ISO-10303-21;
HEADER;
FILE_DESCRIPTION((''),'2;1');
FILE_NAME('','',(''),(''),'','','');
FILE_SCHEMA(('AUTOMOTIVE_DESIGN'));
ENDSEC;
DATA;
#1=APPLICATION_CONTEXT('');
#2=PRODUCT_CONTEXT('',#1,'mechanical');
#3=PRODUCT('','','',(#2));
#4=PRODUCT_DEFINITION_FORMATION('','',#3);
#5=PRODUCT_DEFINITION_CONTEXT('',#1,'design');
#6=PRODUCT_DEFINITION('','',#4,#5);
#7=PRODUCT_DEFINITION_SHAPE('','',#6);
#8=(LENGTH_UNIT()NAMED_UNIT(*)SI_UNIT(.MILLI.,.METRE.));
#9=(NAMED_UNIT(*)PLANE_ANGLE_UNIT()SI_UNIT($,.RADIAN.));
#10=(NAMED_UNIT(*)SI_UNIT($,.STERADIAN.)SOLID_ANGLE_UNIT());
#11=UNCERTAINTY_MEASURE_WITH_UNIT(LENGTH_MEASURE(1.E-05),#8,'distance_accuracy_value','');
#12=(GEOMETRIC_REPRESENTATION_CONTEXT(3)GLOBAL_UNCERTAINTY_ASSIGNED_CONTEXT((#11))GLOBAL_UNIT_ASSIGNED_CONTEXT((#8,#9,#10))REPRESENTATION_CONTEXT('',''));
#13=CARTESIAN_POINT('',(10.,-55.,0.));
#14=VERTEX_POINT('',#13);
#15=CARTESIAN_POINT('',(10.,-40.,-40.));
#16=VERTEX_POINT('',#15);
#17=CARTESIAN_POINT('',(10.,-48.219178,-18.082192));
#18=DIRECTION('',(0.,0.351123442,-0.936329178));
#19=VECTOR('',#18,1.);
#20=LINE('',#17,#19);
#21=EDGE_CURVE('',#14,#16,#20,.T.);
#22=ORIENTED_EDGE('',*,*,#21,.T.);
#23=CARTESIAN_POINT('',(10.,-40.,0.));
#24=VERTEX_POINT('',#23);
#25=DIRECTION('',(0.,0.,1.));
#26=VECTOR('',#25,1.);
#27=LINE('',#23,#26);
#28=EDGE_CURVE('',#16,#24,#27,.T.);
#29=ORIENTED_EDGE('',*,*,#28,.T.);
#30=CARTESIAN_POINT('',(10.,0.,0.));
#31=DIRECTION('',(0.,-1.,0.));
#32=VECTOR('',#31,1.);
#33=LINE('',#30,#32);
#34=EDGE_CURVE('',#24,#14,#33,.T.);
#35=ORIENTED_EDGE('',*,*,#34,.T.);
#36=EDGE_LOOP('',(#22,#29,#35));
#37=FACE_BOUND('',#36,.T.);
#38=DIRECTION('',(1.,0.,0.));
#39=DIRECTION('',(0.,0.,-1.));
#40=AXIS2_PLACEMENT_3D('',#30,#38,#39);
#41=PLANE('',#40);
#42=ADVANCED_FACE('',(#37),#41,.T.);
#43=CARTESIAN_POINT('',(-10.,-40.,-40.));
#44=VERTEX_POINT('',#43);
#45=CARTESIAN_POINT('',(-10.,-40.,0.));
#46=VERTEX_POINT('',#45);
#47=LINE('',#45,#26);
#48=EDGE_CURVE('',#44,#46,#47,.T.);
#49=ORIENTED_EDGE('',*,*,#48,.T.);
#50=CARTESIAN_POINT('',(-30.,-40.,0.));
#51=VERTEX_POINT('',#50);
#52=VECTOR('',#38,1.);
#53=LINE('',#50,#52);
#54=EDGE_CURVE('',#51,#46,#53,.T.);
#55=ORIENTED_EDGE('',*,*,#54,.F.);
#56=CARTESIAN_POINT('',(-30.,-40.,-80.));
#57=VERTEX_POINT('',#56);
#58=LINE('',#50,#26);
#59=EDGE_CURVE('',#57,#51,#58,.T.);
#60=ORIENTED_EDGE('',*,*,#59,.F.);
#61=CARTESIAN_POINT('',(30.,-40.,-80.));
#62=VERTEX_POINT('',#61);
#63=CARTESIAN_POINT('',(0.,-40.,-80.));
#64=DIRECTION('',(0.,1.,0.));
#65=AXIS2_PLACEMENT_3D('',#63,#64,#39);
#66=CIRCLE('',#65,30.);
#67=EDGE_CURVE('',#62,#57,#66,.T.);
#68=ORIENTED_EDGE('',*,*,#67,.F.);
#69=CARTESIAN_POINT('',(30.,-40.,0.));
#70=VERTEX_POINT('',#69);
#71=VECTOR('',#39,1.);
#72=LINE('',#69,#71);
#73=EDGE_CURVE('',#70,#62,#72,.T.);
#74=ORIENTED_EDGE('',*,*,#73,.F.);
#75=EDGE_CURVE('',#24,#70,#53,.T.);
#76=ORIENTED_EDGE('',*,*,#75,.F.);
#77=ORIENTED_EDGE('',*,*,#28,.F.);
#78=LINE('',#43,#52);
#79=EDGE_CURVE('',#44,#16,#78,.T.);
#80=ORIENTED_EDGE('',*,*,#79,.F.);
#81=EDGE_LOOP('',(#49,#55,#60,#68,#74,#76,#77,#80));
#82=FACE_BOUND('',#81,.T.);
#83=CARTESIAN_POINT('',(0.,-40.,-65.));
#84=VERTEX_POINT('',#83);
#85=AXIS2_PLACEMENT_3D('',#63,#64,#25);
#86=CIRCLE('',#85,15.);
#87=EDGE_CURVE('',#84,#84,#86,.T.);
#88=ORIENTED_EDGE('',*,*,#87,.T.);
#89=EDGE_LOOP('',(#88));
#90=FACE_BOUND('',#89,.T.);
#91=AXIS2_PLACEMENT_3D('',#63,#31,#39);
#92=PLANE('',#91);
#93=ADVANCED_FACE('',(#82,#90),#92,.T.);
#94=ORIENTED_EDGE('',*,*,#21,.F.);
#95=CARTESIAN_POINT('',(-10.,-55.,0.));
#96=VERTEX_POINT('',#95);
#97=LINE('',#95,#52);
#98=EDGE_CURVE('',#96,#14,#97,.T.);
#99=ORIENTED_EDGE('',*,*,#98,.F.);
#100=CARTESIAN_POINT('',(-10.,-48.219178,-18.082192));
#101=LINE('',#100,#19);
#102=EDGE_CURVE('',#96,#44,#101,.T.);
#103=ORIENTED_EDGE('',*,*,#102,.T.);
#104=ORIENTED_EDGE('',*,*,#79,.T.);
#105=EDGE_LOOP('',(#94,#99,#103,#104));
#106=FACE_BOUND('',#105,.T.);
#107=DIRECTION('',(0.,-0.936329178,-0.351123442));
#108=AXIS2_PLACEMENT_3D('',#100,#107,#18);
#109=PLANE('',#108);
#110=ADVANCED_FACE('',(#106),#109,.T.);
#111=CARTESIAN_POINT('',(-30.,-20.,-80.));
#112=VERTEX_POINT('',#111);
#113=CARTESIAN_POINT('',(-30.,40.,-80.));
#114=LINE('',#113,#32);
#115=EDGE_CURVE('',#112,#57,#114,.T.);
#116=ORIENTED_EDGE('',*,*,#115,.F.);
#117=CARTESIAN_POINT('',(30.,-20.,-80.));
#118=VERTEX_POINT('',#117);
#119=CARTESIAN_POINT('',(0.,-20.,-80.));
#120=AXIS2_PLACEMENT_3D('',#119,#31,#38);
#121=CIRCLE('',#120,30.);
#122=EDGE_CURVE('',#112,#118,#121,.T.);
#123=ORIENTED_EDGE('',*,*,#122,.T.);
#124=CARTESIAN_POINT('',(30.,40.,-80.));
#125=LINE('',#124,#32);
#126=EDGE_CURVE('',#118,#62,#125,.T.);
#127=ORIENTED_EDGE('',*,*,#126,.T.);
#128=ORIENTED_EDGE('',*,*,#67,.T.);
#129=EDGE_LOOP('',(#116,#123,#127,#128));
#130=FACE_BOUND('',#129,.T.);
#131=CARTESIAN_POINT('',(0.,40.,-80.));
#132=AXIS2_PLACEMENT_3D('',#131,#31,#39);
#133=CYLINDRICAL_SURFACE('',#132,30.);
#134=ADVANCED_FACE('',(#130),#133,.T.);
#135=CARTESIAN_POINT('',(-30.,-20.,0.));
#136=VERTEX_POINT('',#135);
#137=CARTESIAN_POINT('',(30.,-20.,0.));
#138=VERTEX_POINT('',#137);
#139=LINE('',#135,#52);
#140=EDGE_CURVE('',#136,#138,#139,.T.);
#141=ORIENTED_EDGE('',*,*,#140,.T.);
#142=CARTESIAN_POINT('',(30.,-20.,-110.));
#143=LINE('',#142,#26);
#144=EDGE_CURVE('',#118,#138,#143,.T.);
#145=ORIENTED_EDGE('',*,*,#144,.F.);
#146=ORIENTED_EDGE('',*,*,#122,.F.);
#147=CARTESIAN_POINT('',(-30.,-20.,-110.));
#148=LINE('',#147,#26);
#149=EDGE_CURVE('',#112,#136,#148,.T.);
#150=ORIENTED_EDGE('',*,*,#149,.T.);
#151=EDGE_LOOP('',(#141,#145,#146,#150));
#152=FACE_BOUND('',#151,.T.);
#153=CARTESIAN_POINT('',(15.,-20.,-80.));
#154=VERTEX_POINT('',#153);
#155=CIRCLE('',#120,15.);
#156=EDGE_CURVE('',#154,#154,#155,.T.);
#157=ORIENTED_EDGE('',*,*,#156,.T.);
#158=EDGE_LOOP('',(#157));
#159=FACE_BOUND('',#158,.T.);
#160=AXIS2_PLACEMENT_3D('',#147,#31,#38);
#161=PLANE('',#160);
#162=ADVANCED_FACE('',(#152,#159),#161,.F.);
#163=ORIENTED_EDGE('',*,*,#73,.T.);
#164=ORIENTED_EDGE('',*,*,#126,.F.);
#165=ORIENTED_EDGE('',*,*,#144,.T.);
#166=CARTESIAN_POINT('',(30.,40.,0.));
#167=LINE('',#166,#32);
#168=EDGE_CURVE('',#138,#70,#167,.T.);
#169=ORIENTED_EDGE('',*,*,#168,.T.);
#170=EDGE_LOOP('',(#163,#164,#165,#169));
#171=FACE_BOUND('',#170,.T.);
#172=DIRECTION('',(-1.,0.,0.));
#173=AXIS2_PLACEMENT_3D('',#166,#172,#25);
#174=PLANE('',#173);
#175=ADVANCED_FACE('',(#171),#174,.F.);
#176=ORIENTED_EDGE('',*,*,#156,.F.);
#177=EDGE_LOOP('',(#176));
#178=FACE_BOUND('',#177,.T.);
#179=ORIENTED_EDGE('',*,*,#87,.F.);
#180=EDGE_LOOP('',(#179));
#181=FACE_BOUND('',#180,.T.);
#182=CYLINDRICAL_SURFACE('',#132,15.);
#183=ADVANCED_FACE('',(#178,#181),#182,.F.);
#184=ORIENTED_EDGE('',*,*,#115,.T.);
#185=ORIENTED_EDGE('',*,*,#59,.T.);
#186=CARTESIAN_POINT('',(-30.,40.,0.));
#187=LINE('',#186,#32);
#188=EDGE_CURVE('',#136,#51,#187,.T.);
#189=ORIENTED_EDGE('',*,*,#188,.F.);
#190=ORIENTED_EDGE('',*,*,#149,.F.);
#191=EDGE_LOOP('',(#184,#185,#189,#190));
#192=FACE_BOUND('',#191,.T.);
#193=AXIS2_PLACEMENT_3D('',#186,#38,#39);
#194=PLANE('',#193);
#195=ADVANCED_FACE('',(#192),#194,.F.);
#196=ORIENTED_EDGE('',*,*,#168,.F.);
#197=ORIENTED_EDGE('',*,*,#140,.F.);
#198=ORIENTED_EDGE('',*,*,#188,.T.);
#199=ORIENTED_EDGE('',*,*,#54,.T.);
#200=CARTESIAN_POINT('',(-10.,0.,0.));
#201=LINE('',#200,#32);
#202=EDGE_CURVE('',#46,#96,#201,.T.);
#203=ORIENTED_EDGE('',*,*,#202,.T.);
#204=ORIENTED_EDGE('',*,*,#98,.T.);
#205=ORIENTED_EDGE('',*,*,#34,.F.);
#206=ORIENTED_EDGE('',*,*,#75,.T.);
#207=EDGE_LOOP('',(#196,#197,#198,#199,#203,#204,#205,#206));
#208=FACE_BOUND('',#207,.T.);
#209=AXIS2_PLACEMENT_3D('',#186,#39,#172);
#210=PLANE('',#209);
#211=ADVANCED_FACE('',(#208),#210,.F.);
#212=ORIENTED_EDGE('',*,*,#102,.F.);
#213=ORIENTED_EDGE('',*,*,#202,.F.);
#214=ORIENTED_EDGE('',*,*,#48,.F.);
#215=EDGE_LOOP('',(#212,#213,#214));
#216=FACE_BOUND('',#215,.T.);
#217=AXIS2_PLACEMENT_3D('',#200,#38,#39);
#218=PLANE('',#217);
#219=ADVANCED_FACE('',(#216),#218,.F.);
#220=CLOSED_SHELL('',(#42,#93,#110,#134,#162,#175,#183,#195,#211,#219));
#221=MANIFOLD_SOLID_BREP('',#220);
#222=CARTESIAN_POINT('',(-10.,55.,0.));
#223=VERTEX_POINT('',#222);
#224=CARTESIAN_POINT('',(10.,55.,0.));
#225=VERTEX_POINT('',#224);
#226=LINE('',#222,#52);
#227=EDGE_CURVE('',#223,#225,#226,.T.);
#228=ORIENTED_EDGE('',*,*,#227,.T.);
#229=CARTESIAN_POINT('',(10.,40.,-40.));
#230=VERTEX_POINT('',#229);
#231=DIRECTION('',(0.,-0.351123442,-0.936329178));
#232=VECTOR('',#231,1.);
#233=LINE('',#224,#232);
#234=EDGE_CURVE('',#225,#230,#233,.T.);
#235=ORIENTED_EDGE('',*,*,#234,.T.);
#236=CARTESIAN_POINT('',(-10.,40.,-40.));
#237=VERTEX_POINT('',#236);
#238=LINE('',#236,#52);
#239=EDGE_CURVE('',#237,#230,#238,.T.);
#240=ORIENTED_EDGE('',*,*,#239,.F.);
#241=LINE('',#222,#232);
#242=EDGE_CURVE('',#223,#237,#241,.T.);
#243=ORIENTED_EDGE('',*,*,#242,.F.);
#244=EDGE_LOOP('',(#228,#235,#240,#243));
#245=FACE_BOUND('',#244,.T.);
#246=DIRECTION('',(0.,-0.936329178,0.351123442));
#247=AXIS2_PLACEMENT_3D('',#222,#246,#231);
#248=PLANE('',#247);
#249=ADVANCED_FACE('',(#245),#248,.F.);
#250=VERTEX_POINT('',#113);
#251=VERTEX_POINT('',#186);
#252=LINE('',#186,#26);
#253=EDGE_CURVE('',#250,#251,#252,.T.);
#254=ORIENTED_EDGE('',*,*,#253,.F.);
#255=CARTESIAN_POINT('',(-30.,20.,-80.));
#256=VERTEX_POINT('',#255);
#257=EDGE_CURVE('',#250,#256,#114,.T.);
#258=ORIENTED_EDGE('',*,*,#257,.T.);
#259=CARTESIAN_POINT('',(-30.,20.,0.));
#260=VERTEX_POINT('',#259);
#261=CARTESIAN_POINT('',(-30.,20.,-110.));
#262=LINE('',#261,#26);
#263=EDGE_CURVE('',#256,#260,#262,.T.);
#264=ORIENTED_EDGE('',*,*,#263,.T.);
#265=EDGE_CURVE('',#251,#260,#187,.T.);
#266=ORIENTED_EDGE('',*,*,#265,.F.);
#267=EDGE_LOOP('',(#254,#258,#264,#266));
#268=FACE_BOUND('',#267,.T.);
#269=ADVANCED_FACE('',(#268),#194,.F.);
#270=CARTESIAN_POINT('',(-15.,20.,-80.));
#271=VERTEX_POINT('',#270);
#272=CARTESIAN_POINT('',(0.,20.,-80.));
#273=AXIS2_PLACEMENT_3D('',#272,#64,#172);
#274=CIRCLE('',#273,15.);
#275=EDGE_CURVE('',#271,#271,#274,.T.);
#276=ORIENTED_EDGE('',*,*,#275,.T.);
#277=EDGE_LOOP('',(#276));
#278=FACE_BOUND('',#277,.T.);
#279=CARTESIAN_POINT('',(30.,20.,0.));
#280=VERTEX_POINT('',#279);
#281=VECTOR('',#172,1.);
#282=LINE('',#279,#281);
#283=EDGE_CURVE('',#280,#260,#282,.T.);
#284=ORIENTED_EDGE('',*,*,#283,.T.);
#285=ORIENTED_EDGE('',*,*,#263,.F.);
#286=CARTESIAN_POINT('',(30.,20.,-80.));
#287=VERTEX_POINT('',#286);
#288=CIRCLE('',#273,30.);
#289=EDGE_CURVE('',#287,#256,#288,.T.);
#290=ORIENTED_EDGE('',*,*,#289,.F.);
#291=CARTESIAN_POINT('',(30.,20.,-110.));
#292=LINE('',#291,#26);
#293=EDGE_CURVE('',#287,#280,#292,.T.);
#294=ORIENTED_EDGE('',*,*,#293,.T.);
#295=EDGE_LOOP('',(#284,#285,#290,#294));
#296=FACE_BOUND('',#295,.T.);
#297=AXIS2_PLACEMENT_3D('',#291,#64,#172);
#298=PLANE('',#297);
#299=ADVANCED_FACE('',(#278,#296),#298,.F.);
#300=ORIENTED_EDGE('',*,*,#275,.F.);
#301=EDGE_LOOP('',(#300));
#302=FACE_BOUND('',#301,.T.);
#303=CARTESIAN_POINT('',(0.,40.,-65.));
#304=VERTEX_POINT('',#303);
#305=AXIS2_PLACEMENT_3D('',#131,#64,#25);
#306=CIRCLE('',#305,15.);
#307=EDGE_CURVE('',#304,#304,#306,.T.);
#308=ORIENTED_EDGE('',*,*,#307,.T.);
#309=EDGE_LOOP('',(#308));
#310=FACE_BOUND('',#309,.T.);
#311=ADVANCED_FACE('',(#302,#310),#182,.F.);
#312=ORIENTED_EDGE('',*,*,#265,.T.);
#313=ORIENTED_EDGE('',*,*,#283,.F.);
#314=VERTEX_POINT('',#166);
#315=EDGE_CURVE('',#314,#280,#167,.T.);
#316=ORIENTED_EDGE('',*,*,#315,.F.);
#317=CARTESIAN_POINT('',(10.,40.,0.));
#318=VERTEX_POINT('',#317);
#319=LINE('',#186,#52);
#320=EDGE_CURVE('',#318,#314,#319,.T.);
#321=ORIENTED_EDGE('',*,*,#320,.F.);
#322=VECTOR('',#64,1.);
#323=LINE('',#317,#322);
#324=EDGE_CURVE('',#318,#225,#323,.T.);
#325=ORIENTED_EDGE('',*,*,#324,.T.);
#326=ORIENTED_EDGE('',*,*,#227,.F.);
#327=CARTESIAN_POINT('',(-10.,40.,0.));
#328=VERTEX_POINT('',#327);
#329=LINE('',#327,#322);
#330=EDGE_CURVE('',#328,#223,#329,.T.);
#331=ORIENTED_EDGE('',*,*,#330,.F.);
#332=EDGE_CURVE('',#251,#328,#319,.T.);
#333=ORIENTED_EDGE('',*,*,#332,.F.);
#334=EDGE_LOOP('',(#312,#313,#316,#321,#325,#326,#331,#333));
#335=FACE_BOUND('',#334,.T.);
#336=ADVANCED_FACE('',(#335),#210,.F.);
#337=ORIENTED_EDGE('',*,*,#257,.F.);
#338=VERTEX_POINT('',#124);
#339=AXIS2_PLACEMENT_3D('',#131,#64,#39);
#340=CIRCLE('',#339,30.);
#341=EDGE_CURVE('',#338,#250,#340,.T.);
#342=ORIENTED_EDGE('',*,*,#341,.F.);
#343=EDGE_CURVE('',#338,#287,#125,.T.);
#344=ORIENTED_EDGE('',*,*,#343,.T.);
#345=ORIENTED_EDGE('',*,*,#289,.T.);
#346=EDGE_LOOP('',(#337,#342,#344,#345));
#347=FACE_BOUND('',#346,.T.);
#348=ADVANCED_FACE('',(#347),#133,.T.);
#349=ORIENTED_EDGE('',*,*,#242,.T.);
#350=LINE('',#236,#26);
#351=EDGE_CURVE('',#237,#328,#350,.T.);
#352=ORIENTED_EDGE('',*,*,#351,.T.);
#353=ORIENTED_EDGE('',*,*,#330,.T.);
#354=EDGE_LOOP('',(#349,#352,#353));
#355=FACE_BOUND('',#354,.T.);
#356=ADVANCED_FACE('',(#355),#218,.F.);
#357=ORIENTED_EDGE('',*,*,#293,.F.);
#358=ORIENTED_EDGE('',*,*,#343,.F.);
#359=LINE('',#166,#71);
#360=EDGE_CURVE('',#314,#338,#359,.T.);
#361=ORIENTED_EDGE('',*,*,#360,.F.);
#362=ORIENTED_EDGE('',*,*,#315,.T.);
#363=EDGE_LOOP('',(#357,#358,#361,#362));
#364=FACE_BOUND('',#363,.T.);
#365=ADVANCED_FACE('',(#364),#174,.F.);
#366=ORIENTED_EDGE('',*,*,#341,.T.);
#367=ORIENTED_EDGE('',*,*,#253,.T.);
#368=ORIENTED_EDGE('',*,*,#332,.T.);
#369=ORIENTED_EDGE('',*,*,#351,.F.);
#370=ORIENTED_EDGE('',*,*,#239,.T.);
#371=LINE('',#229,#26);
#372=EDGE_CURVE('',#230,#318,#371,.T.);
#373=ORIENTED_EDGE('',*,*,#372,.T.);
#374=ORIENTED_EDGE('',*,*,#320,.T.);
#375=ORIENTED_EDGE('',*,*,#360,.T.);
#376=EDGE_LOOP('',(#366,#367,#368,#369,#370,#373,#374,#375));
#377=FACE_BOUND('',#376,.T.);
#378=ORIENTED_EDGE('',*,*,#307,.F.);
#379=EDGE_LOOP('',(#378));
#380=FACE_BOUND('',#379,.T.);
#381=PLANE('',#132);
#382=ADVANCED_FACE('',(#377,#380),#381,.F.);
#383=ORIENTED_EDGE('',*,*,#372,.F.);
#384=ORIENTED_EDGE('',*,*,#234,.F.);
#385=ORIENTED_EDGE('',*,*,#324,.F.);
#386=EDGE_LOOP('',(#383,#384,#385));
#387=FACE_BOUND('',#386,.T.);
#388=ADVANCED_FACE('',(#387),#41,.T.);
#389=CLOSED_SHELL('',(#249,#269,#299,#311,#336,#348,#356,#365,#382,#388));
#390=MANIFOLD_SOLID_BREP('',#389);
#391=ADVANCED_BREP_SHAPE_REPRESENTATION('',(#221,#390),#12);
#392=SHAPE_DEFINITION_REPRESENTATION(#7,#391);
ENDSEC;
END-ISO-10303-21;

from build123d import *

# Parameters (mm, degrees)
SKETCH_1_R          = 15
EXTRUDE_2_DEPTH     = 40
SKETCH_2_W          = 60
SKETCH_2_H          = 40
CUT_EXTRUDE_1_DEPTH = 110
EXTRUDE_3_DEPTH     = 10


with BuildPart() as part:
    # 草图1 → 凸台-拉伸2 (new body, symmetric)
    with BuildSketch(Plane(origin=(0, 0, 0), x_dir=(1, 0, 0), z_dir=(0, 1, 0))):
        with BuildLine():
            Line((-30, 0), (-30, 80))
            ThreePointArc((-30, 80), (0, 110), (30, 80))
            Line((30, 80), (30, 0))
            Line((30, 0), (-30, 0))
        make_face()
        with Locations((0, 80)):
            Circle(SKETCH_1_R, mode=Mode.SUBTRACT)
    extrude(amount=EXTRUDE_2_DEPTH, both=True)

    # 草图2 → 切除-拉伸1 (cut)
    with BuildSketch(Plane.XY):
        Rectangle(SKETCH_2_W, SKETCH_2_H)
    extrude(amount=-CUT_EXTRUDE_1_DEPTH, mode=Mode.SUBTRACT)

    # 草图3 → 凸台-拉伸3 (add, symmetric)
    with BuildSketch(Plane(origin=(0, 0, 0), x_dir=(0, 0, -1), z_dir=(1, 0, 0))):
        Polygon((0, -55), (40, -40), (0, -40), align=None)
        Polygon((0, 55), (40, 40), (0, 40), align=None)
    extrude(amount=EXTRUDE_3_DEPTH, both=True)


solid = part.part
